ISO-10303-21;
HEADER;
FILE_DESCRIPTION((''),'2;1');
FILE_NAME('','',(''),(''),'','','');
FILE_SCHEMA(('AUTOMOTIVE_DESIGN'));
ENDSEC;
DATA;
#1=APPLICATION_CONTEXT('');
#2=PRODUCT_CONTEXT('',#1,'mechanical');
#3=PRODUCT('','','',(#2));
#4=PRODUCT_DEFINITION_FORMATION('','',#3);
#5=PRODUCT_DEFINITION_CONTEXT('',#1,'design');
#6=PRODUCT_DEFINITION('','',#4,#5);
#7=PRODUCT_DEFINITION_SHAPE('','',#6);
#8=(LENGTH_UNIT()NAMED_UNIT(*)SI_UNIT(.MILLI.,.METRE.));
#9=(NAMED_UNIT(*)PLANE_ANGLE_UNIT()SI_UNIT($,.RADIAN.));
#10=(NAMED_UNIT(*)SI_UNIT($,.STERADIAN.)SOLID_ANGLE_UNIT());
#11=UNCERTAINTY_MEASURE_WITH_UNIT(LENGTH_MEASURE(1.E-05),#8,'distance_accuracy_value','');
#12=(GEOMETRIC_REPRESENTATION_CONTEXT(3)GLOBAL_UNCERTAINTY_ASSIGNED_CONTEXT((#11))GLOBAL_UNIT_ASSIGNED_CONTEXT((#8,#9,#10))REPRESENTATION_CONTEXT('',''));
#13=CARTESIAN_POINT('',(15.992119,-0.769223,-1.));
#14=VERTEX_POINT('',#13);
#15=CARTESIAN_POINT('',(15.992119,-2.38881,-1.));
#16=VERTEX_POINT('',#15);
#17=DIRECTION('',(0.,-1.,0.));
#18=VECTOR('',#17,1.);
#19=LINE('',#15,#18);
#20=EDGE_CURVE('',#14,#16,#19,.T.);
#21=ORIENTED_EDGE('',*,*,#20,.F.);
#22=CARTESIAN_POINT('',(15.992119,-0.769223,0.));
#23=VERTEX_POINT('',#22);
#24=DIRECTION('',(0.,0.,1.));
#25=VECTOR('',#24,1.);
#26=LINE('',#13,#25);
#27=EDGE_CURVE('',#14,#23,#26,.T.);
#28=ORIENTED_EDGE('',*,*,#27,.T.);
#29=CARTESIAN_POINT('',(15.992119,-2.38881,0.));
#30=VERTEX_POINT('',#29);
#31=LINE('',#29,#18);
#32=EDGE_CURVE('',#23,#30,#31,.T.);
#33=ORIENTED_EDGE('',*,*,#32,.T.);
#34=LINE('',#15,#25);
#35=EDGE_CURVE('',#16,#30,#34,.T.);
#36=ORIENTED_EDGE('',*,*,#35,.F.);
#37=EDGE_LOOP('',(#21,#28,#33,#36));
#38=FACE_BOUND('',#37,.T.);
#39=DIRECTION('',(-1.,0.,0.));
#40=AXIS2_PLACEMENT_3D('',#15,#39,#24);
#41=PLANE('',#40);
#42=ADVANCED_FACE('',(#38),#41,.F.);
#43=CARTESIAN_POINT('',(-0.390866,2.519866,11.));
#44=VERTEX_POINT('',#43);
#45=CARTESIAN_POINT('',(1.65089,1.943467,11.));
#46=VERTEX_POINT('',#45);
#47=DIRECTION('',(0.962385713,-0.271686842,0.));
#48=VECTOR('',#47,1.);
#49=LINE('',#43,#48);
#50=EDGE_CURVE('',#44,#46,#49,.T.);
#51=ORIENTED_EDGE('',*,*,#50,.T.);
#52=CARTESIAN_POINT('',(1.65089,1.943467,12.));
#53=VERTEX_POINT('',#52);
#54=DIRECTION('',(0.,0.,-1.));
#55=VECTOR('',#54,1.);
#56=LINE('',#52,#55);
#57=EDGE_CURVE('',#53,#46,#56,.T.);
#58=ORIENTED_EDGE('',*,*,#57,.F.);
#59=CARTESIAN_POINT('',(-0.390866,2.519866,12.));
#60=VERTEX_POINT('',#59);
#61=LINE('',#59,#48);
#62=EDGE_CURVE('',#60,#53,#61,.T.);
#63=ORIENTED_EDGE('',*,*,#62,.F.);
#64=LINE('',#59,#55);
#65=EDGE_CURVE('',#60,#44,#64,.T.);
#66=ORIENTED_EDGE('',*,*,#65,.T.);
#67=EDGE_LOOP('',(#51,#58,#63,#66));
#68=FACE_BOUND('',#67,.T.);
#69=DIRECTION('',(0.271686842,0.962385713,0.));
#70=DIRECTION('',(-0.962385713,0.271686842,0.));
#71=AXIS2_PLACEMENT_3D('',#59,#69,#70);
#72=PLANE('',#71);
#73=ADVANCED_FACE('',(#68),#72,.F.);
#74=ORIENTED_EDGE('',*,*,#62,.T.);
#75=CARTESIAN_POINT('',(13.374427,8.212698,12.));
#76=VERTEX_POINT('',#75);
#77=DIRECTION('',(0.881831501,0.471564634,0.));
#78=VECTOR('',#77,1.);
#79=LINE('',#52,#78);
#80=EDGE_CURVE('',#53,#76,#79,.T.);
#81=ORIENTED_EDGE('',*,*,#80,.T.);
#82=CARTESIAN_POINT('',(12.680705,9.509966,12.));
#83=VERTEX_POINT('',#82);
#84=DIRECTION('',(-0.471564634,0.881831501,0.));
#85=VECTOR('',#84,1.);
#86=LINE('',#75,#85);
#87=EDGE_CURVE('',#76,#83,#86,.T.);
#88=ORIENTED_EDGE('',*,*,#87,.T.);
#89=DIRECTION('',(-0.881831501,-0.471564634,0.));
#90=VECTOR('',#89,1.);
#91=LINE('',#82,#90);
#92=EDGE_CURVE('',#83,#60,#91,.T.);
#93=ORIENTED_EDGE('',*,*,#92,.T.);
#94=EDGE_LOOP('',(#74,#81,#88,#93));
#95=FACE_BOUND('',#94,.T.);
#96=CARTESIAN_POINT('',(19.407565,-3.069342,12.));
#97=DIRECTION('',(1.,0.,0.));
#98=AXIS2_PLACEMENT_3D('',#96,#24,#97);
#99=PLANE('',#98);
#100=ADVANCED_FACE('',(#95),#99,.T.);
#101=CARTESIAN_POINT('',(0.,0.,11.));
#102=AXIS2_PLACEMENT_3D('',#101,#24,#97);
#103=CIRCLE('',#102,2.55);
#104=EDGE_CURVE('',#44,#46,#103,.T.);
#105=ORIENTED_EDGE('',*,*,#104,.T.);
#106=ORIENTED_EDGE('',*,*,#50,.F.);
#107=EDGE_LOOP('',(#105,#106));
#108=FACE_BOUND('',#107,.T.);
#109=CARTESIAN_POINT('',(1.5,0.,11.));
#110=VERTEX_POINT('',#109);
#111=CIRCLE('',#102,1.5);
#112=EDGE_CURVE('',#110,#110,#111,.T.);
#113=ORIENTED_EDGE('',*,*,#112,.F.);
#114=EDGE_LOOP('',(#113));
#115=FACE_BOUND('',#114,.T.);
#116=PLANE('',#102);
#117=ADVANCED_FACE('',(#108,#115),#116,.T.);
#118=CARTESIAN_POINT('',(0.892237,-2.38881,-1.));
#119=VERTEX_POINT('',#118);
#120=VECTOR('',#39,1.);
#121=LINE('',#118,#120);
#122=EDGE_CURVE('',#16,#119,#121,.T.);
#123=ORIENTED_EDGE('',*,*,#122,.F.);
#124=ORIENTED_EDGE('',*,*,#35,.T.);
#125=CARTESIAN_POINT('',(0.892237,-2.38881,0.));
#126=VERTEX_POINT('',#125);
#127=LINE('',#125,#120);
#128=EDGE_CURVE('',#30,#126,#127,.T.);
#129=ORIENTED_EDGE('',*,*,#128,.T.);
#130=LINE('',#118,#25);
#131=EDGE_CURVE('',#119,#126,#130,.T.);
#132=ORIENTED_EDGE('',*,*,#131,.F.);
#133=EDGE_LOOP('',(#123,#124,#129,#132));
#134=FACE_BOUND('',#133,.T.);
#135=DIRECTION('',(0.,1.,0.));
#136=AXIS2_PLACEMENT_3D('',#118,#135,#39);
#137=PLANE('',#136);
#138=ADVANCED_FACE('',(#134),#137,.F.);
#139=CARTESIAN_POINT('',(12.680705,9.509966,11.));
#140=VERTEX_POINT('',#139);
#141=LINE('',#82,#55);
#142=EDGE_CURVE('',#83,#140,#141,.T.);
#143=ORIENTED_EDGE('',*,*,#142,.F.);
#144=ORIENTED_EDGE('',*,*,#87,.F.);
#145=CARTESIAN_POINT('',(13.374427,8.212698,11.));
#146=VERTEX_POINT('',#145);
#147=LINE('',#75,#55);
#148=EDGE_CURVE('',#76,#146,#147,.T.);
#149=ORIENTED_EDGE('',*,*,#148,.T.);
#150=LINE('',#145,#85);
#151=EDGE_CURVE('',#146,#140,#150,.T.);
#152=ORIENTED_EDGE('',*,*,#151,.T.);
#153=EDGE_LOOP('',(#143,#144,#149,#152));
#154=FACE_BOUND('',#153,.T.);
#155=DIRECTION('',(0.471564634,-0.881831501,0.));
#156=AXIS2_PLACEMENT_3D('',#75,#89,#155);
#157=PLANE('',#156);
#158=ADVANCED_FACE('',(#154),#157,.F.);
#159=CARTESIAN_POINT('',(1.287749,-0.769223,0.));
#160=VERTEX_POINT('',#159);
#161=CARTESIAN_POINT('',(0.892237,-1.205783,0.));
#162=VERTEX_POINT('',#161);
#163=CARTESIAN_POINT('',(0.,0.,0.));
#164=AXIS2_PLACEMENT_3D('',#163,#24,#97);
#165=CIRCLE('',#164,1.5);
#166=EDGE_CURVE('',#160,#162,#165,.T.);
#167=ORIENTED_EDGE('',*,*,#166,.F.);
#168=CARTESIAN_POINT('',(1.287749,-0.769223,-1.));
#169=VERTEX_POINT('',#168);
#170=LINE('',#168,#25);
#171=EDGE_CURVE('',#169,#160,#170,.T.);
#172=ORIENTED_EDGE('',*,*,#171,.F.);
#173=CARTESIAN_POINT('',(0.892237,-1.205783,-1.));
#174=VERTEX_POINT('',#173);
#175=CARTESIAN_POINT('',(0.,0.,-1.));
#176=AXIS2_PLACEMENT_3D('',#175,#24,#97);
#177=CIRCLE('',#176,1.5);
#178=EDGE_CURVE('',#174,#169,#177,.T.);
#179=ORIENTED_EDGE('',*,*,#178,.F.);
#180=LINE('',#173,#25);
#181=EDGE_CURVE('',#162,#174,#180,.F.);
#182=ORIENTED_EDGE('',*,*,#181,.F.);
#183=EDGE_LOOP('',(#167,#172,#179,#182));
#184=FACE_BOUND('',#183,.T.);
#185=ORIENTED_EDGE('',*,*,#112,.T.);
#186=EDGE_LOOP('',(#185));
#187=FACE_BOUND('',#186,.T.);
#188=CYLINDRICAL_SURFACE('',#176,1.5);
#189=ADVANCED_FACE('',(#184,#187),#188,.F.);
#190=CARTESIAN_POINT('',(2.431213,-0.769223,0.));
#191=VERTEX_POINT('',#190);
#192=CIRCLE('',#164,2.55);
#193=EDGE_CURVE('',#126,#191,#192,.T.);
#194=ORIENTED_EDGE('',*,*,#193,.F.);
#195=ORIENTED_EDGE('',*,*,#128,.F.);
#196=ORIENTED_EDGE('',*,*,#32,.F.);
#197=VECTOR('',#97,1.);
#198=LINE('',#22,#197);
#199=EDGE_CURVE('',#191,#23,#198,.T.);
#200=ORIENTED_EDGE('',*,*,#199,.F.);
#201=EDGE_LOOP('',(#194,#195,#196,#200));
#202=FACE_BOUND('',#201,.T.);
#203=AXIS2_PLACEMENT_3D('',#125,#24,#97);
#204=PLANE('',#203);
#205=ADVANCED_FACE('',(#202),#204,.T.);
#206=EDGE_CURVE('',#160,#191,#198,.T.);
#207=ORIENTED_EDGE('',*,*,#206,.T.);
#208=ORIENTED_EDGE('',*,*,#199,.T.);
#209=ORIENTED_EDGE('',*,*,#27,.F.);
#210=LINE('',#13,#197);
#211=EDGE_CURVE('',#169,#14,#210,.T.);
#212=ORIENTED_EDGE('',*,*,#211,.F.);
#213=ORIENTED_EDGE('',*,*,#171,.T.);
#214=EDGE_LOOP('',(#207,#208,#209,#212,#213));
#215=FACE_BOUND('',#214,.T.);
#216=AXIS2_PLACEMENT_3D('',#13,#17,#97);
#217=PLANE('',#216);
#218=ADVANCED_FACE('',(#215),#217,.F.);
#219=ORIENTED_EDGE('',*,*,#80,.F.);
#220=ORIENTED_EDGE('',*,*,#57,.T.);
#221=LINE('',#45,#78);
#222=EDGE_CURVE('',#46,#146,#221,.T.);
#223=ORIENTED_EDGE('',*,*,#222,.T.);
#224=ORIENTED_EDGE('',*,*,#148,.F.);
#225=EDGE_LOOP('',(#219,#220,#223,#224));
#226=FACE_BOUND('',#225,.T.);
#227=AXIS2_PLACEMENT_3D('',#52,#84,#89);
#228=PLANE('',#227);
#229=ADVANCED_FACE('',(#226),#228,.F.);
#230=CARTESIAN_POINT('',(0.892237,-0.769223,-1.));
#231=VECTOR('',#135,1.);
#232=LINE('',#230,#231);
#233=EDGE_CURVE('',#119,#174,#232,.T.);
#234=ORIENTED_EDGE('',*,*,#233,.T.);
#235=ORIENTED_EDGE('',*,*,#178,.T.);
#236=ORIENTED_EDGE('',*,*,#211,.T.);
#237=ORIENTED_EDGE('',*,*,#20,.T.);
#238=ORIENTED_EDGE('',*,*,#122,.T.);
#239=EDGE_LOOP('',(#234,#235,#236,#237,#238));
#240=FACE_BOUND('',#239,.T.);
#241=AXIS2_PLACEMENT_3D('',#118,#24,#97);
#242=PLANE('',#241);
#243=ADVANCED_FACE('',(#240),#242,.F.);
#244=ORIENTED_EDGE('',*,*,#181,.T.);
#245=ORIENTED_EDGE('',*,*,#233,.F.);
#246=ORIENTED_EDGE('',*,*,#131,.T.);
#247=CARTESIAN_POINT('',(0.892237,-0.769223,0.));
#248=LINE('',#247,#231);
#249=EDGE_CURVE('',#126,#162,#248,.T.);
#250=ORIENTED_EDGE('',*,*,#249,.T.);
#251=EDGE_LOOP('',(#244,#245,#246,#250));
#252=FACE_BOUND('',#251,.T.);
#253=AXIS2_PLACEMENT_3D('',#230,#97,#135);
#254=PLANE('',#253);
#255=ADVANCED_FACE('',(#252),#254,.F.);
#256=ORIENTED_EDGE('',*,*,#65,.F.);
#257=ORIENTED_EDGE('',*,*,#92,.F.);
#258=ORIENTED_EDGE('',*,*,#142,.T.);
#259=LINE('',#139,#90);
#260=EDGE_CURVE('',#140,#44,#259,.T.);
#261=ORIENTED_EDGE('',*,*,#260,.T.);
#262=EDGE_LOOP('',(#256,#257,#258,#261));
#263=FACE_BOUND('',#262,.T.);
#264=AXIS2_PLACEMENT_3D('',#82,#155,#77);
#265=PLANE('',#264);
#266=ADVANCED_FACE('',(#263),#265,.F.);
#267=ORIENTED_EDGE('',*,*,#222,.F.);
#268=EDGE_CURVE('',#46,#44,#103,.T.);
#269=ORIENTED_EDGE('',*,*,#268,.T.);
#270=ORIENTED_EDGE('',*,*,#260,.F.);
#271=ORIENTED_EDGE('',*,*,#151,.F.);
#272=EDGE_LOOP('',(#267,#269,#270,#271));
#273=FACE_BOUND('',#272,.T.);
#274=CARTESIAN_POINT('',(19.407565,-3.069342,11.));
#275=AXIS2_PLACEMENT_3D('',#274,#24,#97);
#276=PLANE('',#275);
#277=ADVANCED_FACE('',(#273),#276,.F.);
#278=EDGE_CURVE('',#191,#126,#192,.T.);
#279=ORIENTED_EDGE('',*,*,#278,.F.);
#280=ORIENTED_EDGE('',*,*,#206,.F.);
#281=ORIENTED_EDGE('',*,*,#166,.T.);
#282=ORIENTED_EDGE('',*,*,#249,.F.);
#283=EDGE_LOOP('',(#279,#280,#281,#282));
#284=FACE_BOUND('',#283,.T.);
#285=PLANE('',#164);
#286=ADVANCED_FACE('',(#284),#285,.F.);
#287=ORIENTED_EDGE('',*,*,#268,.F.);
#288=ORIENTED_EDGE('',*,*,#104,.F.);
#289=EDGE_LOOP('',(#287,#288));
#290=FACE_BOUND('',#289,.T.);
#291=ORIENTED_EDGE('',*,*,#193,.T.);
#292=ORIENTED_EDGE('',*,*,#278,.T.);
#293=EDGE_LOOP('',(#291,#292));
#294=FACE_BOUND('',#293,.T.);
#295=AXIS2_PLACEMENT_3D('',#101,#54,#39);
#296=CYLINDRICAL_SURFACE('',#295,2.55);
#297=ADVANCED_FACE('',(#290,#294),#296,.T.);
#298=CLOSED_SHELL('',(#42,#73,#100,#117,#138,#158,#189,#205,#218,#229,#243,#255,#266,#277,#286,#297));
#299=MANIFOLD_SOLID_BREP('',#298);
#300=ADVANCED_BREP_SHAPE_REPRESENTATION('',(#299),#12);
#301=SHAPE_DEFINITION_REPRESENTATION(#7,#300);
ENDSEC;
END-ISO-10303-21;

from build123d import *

# Parameters (mm, degrees)
SKETCH1_R      = 2.55
EXTRUDE1_DEPTH = 11
EXTRUDE2_DEPTH = 1
SKETCH3_W      = 15.099881368
SKETCH3_H      = 1.61958708
EXTRUDE3_DEPTH = 1
SKETCH4_R      = 1.5
EXTRUDE4_DEPTH = 13


with BuildPart() as part:
    # Sketch1 → Extrude1 (new body)
    with BuildSketch(Plane.XY):
        Circle(SKETCH1_R)
    extrude(amount=EXTRUDE1_DEPTH)

    # Sketch2 → Extrude2 (add)
    with BuildSketch(Plane.XY.offset(11)):
        Polygon((1.650889975, 1.943466565), (13.374427377, 8.212697839), (12.680705309, 9.509966398), (-0.390866423, 2.519865758), align=None)
    extrude(amount=EXTRUDE2_DEPTH)

    # Sketch3 → Extrude3 (add)
    with BuildSketch(Plane(origin=(0, 0, 0), x_dir=(-1, 0, 0), z_dir=(0, 0, -1))):
        with Locations((-8.442177906, -1.57901636)):
            Rectangle(SKETCH3_W, SKETCH3_H)
    extrude(amount=EXTRUDE3_DEPTH)

    # Sketch4 → Extrude4 (cut, through all)
    with BuildSketch(Plane.XY.offset(11)):
        Circle(SKETCH4_R)
    extrude(amount=-EXTRUDE4_DEPTH, mode=Mode.SUBTRACT)


solid = part.part
